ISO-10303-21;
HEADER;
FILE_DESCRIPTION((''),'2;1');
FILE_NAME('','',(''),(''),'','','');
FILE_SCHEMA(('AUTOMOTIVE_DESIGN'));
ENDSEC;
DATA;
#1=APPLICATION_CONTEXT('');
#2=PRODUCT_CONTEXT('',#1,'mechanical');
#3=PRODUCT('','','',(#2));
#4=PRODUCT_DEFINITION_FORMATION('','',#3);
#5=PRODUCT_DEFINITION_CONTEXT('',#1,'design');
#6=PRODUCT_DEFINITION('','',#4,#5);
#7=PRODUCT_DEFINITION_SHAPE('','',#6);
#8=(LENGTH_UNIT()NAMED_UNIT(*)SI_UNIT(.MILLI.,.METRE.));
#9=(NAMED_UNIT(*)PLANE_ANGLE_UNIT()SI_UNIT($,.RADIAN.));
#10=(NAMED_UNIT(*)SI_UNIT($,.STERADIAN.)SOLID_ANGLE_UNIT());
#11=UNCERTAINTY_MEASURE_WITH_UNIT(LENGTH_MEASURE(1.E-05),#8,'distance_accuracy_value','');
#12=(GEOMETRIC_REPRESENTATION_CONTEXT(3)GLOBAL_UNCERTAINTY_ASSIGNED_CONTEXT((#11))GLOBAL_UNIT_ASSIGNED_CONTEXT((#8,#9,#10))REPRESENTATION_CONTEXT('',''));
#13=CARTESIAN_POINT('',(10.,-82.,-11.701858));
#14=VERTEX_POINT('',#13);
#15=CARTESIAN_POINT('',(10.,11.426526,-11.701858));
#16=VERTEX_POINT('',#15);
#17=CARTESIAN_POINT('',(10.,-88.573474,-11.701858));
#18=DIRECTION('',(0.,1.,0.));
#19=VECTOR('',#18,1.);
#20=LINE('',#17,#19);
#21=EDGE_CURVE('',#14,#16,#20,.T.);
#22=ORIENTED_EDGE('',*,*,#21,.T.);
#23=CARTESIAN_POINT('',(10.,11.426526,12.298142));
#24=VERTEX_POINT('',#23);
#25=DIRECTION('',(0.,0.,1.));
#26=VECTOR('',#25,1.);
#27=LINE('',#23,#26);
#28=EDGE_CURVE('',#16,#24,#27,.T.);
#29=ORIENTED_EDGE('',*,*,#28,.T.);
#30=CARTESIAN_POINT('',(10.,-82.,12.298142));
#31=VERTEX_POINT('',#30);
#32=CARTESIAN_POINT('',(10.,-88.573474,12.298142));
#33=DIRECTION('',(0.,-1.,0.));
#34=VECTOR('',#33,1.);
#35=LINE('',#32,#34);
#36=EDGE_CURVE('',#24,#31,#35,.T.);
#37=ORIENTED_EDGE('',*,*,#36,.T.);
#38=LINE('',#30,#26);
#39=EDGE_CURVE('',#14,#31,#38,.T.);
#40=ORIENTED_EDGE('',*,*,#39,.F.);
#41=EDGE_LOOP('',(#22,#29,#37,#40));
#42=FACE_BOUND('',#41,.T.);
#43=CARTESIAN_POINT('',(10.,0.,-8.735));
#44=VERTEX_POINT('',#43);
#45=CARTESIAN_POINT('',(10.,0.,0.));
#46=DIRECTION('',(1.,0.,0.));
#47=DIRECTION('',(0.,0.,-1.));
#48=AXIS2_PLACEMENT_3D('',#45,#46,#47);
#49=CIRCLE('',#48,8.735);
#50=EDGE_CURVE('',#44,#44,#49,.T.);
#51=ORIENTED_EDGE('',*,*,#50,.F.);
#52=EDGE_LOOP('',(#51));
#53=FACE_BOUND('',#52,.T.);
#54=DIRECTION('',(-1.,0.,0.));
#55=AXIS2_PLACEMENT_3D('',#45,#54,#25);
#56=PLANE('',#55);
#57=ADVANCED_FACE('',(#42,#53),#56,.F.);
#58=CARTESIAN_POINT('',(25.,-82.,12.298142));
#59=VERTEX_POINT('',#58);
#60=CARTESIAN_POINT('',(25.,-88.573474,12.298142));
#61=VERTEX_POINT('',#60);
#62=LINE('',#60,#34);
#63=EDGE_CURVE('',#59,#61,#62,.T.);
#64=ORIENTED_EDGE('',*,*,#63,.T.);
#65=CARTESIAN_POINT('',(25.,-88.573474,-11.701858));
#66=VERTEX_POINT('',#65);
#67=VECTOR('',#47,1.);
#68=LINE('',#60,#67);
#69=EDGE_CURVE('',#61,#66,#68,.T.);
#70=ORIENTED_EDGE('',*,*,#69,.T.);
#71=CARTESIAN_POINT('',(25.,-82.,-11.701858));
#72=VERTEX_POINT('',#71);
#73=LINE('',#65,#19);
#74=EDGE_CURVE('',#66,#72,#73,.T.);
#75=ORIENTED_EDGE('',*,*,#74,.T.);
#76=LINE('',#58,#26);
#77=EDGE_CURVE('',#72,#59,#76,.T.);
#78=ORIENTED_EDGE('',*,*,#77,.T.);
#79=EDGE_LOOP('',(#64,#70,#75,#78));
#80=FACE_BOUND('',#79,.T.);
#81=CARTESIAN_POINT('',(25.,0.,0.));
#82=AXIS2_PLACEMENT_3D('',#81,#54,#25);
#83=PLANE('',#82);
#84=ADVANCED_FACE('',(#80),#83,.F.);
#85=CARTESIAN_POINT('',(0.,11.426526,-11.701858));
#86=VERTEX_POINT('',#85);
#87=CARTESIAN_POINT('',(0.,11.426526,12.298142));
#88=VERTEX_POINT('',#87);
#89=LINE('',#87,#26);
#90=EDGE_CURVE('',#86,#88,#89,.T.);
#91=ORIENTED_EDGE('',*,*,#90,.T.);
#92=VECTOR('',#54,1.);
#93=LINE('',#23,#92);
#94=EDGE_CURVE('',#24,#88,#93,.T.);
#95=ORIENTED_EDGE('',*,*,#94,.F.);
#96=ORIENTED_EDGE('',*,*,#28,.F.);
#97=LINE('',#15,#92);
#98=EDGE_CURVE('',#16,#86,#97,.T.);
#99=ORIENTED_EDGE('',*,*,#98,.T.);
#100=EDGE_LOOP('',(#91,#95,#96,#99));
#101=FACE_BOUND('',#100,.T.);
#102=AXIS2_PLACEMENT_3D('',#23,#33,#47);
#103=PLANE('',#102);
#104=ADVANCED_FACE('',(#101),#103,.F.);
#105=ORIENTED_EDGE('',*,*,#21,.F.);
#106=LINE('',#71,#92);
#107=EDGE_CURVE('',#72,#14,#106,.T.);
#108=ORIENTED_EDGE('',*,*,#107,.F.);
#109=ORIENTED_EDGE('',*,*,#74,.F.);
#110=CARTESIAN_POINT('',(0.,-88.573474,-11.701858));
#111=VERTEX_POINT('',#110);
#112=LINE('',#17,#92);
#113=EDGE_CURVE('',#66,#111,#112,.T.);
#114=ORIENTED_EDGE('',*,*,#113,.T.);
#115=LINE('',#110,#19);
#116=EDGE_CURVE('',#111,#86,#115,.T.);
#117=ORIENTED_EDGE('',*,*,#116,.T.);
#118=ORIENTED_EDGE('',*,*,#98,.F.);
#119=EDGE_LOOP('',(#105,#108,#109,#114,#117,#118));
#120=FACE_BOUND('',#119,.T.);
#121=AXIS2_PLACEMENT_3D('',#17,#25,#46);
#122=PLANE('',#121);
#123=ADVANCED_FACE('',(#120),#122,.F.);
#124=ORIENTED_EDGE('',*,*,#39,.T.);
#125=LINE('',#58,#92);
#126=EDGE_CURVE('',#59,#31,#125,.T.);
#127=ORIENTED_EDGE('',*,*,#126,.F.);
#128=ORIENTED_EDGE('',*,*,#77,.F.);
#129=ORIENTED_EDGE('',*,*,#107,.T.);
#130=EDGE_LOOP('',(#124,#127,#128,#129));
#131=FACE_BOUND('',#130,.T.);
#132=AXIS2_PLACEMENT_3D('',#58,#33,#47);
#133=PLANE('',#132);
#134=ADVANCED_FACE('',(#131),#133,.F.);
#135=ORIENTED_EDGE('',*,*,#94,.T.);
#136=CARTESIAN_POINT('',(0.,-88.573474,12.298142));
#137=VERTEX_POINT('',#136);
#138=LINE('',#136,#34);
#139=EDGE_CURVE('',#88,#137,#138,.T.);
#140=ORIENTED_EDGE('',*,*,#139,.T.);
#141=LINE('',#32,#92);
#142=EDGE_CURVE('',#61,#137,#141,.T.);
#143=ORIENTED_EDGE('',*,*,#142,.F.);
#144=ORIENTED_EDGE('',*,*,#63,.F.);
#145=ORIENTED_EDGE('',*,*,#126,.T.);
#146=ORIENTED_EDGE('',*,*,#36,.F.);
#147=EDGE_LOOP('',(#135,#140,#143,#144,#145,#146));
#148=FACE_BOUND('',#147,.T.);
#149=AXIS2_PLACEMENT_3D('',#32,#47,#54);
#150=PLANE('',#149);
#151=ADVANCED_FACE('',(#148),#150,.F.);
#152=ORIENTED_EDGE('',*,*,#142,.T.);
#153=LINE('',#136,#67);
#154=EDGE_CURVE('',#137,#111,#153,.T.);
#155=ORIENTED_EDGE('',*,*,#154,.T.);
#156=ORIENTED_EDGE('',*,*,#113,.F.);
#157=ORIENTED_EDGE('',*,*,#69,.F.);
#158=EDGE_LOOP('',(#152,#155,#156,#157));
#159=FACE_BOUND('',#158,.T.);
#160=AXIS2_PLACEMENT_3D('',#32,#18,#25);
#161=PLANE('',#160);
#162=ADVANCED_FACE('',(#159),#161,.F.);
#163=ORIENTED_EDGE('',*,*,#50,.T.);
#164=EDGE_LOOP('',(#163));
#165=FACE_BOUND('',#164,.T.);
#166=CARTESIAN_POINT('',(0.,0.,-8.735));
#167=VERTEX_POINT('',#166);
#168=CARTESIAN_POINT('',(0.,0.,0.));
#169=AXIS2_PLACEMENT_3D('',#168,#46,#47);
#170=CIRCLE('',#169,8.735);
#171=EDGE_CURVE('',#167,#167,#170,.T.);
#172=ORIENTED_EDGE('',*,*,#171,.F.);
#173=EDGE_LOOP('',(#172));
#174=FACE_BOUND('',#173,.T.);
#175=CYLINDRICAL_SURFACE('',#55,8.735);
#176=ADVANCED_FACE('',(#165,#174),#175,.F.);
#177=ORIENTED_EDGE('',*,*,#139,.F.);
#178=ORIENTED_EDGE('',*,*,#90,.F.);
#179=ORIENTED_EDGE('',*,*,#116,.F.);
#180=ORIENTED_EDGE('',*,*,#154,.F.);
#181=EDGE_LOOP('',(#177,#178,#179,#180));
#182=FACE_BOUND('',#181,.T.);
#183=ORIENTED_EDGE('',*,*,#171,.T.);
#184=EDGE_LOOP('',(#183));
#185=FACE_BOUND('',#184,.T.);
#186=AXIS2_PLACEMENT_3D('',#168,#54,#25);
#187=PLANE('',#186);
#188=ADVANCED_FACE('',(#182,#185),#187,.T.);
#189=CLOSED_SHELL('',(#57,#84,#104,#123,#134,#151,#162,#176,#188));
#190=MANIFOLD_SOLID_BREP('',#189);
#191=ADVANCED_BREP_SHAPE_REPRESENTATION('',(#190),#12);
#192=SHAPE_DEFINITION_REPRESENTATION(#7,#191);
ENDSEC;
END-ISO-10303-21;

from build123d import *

# Parameters (mm, degrees)
SKETCH1_W           = 24
SKETCH1_H           = 100
SKETCH1_R           = 8.735
BOSS_EXTRUDE1_DEPTH = 10
SKETCH2_W           = 24
SKETCH2_H           = 6.573473922
BOSS_EXTRUDE2_DEPTH = 15


with BuildPart() as part:
    # Sketch1 → Boss-Extrude1 (new body)
    with BuildSketch(Plane(origin=(0, 0, 0), x_dir=(0, 0, -1), z_dir=(1, 0, 0))):
        with Locations((-0.298142376, -38.573473922)):
            Rectangle(SKETCH1_W, SKETCH1_H)
        Circle(SKETCH1_R, mode=Mode.SUBTRACT)
    extrude(amount=BOSS_EXTRUDE1_DEPTH)

    # Sketch2 → Boss-Extrude2 (add)
    with BuildSketch(Plane(origin=(10, 0, 0), x_dir=(0, 0, -1), z_dir=(1, 0, 0))):
        with Locations((-0.298142376, -85.286736961)):
            Rectangle(SKETCH2_W, SKETCH2_H)
    extrude(amount=BOSS_EXTRUDE2_DEPTH)


solid = part.part
